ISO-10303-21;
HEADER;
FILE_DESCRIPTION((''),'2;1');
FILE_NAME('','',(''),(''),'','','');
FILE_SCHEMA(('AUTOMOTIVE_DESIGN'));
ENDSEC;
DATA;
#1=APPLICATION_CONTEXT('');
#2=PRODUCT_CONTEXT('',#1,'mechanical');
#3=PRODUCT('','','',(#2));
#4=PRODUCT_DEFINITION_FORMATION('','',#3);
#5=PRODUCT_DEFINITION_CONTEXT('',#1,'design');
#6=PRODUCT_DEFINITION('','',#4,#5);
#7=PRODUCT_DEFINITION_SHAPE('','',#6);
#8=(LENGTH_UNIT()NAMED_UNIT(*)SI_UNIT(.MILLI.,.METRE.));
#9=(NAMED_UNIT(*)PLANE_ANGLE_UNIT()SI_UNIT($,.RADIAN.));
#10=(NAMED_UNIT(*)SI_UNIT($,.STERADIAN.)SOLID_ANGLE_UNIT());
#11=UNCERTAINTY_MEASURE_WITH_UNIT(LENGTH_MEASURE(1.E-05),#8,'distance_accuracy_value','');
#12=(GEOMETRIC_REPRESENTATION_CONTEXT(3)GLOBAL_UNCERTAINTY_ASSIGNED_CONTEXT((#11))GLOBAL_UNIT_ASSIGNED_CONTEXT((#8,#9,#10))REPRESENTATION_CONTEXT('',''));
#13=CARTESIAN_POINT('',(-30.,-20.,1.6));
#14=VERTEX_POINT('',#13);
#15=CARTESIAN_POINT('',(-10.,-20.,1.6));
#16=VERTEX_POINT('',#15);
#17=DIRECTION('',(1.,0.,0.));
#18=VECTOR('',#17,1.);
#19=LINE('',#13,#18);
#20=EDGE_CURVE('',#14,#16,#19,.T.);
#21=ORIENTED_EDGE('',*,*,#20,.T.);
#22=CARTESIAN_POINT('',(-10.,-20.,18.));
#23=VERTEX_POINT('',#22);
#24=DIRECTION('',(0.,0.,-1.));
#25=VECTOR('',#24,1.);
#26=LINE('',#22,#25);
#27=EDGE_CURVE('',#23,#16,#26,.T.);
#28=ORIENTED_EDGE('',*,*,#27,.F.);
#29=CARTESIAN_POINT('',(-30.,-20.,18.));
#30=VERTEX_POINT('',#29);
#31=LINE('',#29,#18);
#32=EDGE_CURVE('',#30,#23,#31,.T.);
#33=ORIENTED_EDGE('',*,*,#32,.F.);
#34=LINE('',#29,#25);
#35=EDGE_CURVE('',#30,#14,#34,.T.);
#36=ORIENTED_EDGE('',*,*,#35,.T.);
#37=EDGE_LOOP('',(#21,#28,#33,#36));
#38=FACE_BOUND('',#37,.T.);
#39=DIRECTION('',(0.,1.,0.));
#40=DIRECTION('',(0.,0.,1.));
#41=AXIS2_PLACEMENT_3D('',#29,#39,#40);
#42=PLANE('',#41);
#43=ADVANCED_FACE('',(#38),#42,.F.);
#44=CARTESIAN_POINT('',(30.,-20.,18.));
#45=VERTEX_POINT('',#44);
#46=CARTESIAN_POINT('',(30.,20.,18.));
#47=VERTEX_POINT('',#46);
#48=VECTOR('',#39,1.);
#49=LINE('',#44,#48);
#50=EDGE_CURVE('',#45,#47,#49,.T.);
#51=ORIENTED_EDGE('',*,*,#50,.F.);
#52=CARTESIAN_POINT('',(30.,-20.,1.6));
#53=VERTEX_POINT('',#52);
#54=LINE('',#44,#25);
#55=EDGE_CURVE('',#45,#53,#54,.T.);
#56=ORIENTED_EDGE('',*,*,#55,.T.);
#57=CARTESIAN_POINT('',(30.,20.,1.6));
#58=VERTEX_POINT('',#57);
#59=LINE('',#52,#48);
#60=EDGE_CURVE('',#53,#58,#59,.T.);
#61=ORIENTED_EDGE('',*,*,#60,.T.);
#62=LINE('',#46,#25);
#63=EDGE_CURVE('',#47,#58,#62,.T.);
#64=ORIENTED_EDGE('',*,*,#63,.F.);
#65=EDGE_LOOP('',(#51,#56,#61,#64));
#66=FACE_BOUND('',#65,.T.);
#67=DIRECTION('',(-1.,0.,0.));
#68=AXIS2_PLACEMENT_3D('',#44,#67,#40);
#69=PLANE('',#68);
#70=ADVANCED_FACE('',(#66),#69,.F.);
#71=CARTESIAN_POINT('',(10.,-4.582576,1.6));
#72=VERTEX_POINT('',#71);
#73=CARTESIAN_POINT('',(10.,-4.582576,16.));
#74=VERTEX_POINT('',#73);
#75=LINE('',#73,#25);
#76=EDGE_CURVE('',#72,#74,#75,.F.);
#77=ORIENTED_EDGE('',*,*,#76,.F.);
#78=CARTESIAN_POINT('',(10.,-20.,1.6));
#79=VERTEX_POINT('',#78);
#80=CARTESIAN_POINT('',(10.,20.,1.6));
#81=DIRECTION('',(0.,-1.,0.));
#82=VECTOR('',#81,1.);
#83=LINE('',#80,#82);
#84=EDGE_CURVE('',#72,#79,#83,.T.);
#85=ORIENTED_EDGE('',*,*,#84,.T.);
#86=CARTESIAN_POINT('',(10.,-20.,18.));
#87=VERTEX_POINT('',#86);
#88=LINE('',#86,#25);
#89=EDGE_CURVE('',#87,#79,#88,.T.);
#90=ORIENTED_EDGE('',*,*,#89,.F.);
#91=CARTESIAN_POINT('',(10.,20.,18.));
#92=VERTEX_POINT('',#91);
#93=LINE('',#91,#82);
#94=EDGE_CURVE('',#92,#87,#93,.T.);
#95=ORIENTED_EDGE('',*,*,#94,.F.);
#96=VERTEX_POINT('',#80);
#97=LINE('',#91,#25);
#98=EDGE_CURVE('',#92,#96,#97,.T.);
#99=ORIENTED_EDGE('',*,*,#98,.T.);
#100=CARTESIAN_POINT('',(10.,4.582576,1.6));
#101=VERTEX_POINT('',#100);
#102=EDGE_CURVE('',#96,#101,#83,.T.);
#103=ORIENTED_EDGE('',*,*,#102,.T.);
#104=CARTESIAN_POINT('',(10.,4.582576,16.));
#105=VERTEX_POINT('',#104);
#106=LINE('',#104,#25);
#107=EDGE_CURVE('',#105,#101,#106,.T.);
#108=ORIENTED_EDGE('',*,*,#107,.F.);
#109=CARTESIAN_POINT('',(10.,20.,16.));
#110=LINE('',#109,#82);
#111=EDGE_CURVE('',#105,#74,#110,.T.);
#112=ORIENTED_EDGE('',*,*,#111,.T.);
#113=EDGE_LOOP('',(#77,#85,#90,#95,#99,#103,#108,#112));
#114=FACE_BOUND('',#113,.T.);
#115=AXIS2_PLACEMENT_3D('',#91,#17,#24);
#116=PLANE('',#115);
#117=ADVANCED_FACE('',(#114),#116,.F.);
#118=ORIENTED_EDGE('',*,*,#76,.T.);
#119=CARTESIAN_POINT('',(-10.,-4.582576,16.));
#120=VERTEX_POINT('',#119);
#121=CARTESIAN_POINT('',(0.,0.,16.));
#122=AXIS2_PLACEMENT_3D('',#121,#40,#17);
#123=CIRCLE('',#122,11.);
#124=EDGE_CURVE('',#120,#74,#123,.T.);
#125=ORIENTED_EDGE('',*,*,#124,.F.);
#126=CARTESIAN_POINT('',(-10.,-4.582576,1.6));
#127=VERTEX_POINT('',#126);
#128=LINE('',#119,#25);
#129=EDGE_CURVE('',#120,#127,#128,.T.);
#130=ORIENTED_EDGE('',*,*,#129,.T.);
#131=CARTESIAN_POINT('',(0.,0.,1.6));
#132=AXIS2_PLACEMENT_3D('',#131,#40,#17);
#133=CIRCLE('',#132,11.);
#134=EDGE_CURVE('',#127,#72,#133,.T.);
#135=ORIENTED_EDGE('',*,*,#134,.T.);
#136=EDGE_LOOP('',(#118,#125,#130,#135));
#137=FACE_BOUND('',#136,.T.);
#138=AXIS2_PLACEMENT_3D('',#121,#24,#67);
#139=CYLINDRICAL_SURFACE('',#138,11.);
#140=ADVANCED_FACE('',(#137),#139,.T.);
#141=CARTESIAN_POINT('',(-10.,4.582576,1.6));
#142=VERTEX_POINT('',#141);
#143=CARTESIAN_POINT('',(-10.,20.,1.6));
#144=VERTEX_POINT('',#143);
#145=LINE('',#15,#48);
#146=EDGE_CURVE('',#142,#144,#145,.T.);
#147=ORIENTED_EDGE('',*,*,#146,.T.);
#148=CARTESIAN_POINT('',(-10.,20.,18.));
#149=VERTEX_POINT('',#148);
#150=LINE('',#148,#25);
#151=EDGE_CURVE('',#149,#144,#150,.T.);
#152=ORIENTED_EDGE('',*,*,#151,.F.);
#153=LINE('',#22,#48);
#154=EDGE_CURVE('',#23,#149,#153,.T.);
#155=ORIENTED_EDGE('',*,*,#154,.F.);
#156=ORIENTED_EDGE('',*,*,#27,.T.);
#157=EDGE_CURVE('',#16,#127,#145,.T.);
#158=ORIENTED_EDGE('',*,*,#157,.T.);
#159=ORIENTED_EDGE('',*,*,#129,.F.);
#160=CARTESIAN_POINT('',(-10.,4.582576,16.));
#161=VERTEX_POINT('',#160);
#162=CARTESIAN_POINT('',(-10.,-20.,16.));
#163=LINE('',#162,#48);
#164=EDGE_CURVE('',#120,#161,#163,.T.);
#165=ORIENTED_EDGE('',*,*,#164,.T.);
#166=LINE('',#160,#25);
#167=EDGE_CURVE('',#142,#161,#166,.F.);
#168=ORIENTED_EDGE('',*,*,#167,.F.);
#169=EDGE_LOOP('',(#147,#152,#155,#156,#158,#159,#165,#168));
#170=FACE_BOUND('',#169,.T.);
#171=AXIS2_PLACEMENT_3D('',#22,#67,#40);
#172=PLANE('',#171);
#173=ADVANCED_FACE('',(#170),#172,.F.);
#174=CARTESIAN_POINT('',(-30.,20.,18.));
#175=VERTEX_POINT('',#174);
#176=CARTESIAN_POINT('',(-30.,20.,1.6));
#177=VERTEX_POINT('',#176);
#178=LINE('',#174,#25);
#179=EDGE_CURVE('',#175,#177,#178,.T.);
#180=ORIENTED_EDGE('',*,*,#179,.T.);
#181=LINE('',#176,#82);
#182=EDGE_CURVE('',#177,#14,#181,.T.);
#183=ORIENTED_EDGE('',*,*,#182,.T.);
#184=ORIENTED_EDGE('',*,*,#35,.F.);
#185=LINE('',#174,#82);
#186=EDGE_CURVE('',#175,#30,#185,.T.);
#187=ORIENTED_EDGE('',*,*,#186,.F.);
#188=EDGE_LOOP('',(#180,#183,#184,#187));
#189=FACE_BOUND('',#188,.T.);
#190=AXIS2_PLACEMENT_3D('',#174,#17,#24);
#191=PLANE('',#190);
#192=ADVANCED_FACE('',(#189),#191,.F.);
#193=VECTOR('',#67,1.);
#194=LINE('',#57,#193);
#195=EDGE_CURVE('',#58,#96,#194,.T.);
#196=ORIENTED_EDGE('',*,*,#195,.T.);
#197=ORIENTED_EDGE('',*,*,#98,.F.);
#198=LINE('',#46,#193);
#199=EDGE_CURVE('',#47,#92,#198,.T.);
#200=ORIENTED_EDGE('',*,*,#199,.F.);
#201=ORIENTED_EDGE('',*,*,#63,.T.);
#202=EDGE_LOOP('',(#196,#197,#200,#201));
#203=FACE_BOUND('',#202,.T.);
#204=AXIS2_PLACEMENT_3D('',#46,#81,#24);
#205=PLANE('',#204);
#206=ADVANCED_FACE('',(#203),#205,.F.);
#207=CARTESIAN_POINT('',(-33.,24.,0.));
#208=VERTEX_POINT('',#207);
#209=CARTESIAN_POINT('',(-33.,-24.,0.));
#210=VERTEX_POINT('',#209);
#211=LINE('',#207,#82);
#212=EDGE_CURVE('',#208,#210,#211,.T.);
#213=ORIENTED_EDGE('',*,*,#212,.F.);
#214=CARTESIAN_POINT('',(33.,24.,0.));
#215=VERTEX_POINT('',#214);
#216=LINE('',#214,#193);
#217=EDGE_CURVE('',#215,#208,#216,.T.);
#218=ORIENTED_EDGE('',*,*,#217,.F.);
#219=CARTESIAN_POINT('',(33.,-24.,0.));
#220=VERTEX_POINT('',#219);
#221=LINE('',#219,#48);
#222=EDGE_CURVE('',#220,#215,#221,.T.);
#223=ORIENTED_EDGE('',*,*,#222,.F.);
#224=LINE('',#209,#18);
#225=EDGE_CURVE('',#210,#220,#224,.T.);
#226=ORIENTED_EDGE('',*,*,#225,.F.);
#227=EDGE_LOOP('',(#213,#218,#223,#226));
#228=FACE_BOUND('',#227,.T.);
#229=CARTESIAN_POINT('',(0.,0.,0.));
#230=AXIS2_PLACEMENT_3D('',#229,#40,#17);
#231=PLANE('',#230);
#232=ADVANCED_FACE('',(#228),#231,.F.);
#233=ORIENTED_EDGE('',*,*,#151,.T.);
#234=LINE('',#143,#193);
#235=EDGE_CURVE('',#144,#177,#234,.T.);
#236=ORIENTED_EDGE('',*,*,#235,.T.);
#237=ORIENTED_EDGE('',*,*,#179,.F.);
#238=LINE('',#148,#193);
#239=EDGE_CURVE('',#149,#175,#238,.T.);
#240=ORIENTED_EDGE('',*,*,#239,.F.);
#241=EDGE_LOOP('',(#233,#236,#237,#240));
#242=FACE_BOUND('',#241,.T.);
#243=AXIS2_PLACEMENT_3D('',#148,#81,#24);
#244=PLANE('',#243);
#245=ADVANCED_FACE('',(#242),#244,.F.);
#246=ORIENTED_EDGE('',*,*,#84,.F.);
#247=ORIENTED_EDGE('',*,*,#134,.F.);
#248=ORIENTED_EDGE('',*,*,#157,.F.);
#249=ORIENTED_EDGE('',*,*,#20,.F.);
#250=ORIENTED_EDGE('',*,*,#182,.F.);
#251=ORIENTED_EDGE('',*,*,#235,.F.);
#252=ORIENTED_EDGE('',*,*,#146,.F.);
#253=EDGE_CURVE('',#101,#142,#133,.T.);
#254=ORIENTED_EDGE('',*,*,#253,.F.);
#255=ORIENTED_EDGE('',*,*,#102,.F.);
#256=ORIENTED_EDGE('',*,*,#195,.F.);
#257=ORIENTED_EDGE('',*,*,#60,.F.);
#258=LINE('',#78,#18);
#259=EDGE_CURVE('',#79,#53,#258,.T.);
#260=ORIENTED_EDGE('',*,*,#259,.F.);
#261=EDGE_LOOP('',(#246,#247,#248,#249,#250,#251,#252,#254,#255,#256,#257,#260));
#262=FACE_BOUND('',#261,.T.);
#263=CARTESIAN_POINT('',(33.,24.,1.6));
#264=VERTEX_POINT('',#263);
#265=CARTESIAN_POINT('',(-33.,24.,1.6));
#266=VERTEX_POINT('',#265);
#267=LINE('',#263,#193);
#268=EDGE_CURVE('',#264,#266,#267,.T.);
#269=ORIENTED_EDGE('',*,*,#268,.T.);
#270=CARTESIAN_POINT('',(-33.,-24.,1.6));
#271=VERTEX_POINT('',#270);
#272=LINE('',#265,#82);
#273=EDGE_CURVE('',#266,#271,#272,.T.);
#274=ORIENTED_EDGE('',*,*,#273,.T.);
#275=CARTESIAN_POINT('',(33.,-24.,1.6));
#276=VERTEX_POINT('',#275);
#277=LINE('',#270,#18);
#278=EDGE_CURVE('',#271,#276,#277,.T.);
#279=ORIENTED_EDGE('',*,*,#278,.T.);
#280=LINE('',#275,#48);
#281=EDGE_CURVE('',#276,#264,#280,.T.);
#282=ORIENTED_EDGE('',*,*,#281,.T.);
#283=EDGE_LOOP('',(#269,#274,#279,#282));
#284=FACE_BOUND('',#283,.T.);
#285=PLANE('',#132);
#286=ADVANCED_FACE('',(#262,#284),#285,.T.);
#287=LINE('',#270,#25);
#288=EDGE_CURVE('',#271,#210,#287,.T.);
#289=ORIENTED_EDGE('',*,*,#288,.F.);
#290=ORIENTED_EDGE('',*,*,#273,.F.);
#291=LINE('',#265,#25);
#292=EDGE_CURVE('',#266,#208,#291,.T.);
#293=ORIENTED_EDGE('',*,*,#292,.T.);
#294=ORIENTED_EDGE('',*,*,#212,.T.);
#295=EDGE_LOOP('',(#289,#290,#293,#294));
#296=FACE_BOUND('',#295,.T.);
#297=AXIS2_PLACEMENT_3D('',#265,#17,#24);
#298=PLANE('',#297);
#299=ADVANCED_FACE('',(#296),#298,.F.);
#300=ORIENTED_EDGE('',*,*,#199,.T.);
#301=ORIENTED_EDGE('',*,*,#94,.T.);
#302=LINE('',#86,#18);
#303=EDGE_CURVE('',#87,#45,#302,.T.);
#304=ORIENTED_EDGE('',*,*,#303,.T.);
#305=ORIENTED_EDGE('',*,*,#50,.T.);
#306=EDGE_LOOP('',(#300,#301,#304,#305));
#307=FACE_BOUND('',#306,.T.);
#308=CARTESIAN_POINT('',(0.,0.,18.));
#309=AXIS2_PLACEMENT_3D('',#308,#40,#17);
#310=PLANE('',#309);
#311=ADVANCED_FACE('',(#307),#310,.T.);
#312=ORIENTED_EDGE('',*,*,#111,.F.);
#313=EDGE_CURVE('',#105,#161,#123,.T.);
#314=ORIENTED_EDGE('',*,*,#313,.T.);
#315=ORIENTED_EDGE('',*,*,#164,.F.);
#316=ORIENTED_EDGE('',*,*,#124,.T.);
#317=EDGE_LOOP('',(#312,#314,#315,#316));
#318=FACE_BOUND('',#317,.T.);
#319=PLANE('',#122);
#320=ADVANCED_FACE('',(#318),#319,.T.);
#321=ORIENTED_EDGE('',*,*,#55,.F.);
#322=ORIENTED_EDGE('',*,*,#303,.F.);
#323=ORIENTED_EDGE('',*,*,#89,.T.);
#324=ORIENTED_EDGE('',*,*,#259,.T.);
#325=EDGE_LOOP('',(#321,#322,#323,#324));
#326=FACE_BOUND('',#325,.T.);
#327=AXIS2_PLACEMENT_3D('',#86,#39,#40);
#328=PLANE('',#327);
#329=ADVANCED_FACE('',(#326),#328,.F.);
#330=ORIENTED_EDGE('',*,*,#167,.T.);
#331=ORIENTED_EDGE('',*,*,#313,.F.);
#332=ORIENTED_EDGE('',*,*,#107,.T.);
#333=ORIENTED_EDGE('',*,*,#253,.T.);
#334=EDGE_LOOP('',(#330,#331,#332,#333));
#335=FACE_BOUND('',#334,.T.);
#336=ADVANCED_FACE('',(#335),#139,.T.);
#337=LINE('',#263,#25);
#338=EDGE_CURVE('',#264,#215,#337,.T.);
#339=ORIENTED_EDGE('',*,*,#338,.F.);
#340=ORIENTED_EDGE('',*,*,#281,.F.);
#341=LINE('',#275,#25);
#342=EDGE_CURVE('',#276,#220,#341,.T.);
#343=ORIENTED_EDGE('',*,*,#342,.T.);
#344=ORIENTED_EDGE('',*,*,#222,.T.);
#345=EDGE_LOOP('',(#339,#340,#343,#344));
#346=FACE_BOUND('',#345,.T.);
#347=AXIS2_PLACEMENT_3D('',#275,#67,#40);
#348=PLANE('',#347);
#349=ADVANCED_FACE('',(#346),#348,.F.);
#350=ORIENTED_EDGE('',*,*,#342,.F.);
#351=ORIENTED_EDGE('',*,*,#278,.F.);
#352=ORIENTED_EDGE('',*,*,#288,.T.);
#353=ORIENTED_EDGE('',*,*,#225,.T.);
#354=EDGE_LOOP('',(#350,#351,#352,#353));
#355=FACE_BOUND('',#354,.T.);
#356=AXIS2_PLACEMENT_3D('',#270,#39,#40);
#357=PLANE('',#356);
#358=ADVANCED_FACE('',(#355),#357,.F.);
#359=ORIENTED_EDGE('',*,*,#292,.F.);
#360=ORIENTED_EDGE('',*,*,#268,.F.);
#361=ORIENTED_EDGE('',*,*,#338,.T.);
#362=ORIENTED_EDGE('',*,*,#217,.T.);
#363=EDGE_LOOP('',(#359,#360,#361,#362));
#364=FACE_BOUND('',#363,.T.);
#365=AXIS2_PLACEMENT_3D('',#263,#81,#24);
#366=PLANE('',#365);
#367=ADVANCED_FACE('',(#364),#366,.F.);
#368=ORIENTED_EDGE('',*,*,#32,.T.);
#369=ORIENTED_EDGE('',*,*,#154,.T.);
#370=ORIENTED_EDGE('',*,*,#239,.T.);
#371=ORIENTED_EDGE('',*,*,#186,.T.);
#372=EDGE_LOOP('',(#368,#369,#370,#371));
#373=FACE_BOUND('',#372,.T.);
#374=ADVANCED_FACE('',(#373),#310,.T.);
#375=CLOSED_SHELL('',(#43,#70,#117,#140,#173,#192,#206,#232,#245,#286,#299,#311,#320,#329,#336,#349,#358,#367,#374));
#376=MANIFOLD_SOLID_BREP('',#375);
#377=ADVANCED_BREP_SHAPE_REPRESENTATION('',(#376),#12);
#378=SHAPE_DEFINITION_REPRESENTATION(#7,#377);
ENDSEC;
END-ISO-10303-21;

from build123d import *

# Parameters (mm, degrees)
SKETCH1_W          = 66
SKETCH1_H          = 48
PCB_DEPTH          = 1.6
SKETCH2_W          = 20
SKETCH2_H          = 40
HEATSINK_IN_DEPTH  = 16.4
SKETCH3_W          = 20
SKETCH3_H          = 40
HEATSINK_OUT_DEPTH = 16.4
SKETCH4_R          = 11
INDUCTOR_DEPTH     = 14.4


with BuildPart() as part:
    # Sketch1 → PCB (new body)
    with BuildSketch(Plane.XY):
        Rectangle(SKETCH1_W, SKETCH1_H)
    extrude(amount=PCB_DEPTH)

    # Sketch2 → Heatsink_in (add)
    with BuildSketch(Plane.XY.offset(1.6)):
        with Locations((-20, 0)):
            Rectangle(SKETCH2_W, SKETCH2_H)
    extrude(amount=HEATSINK_IN_DEPTH)

    # Sketch3 → Heatsink_out (add)
    with BuildSketch(Plane.XY.offset(1.6)):
        with Locations((20, 0)):
            Rectangle(SKETCH3_W, SKETCH3_H)
    extrude(amount=HEATSINK_OUT_DEPTH)

    # Sketch4 → Inductor (add)
    with BuildSketch(Plane.XY.offset(1.6)):
        Circle(SKETCH4_R)
    extrude(amount=INDUCTOR_DEPTH)


solid = part.part
